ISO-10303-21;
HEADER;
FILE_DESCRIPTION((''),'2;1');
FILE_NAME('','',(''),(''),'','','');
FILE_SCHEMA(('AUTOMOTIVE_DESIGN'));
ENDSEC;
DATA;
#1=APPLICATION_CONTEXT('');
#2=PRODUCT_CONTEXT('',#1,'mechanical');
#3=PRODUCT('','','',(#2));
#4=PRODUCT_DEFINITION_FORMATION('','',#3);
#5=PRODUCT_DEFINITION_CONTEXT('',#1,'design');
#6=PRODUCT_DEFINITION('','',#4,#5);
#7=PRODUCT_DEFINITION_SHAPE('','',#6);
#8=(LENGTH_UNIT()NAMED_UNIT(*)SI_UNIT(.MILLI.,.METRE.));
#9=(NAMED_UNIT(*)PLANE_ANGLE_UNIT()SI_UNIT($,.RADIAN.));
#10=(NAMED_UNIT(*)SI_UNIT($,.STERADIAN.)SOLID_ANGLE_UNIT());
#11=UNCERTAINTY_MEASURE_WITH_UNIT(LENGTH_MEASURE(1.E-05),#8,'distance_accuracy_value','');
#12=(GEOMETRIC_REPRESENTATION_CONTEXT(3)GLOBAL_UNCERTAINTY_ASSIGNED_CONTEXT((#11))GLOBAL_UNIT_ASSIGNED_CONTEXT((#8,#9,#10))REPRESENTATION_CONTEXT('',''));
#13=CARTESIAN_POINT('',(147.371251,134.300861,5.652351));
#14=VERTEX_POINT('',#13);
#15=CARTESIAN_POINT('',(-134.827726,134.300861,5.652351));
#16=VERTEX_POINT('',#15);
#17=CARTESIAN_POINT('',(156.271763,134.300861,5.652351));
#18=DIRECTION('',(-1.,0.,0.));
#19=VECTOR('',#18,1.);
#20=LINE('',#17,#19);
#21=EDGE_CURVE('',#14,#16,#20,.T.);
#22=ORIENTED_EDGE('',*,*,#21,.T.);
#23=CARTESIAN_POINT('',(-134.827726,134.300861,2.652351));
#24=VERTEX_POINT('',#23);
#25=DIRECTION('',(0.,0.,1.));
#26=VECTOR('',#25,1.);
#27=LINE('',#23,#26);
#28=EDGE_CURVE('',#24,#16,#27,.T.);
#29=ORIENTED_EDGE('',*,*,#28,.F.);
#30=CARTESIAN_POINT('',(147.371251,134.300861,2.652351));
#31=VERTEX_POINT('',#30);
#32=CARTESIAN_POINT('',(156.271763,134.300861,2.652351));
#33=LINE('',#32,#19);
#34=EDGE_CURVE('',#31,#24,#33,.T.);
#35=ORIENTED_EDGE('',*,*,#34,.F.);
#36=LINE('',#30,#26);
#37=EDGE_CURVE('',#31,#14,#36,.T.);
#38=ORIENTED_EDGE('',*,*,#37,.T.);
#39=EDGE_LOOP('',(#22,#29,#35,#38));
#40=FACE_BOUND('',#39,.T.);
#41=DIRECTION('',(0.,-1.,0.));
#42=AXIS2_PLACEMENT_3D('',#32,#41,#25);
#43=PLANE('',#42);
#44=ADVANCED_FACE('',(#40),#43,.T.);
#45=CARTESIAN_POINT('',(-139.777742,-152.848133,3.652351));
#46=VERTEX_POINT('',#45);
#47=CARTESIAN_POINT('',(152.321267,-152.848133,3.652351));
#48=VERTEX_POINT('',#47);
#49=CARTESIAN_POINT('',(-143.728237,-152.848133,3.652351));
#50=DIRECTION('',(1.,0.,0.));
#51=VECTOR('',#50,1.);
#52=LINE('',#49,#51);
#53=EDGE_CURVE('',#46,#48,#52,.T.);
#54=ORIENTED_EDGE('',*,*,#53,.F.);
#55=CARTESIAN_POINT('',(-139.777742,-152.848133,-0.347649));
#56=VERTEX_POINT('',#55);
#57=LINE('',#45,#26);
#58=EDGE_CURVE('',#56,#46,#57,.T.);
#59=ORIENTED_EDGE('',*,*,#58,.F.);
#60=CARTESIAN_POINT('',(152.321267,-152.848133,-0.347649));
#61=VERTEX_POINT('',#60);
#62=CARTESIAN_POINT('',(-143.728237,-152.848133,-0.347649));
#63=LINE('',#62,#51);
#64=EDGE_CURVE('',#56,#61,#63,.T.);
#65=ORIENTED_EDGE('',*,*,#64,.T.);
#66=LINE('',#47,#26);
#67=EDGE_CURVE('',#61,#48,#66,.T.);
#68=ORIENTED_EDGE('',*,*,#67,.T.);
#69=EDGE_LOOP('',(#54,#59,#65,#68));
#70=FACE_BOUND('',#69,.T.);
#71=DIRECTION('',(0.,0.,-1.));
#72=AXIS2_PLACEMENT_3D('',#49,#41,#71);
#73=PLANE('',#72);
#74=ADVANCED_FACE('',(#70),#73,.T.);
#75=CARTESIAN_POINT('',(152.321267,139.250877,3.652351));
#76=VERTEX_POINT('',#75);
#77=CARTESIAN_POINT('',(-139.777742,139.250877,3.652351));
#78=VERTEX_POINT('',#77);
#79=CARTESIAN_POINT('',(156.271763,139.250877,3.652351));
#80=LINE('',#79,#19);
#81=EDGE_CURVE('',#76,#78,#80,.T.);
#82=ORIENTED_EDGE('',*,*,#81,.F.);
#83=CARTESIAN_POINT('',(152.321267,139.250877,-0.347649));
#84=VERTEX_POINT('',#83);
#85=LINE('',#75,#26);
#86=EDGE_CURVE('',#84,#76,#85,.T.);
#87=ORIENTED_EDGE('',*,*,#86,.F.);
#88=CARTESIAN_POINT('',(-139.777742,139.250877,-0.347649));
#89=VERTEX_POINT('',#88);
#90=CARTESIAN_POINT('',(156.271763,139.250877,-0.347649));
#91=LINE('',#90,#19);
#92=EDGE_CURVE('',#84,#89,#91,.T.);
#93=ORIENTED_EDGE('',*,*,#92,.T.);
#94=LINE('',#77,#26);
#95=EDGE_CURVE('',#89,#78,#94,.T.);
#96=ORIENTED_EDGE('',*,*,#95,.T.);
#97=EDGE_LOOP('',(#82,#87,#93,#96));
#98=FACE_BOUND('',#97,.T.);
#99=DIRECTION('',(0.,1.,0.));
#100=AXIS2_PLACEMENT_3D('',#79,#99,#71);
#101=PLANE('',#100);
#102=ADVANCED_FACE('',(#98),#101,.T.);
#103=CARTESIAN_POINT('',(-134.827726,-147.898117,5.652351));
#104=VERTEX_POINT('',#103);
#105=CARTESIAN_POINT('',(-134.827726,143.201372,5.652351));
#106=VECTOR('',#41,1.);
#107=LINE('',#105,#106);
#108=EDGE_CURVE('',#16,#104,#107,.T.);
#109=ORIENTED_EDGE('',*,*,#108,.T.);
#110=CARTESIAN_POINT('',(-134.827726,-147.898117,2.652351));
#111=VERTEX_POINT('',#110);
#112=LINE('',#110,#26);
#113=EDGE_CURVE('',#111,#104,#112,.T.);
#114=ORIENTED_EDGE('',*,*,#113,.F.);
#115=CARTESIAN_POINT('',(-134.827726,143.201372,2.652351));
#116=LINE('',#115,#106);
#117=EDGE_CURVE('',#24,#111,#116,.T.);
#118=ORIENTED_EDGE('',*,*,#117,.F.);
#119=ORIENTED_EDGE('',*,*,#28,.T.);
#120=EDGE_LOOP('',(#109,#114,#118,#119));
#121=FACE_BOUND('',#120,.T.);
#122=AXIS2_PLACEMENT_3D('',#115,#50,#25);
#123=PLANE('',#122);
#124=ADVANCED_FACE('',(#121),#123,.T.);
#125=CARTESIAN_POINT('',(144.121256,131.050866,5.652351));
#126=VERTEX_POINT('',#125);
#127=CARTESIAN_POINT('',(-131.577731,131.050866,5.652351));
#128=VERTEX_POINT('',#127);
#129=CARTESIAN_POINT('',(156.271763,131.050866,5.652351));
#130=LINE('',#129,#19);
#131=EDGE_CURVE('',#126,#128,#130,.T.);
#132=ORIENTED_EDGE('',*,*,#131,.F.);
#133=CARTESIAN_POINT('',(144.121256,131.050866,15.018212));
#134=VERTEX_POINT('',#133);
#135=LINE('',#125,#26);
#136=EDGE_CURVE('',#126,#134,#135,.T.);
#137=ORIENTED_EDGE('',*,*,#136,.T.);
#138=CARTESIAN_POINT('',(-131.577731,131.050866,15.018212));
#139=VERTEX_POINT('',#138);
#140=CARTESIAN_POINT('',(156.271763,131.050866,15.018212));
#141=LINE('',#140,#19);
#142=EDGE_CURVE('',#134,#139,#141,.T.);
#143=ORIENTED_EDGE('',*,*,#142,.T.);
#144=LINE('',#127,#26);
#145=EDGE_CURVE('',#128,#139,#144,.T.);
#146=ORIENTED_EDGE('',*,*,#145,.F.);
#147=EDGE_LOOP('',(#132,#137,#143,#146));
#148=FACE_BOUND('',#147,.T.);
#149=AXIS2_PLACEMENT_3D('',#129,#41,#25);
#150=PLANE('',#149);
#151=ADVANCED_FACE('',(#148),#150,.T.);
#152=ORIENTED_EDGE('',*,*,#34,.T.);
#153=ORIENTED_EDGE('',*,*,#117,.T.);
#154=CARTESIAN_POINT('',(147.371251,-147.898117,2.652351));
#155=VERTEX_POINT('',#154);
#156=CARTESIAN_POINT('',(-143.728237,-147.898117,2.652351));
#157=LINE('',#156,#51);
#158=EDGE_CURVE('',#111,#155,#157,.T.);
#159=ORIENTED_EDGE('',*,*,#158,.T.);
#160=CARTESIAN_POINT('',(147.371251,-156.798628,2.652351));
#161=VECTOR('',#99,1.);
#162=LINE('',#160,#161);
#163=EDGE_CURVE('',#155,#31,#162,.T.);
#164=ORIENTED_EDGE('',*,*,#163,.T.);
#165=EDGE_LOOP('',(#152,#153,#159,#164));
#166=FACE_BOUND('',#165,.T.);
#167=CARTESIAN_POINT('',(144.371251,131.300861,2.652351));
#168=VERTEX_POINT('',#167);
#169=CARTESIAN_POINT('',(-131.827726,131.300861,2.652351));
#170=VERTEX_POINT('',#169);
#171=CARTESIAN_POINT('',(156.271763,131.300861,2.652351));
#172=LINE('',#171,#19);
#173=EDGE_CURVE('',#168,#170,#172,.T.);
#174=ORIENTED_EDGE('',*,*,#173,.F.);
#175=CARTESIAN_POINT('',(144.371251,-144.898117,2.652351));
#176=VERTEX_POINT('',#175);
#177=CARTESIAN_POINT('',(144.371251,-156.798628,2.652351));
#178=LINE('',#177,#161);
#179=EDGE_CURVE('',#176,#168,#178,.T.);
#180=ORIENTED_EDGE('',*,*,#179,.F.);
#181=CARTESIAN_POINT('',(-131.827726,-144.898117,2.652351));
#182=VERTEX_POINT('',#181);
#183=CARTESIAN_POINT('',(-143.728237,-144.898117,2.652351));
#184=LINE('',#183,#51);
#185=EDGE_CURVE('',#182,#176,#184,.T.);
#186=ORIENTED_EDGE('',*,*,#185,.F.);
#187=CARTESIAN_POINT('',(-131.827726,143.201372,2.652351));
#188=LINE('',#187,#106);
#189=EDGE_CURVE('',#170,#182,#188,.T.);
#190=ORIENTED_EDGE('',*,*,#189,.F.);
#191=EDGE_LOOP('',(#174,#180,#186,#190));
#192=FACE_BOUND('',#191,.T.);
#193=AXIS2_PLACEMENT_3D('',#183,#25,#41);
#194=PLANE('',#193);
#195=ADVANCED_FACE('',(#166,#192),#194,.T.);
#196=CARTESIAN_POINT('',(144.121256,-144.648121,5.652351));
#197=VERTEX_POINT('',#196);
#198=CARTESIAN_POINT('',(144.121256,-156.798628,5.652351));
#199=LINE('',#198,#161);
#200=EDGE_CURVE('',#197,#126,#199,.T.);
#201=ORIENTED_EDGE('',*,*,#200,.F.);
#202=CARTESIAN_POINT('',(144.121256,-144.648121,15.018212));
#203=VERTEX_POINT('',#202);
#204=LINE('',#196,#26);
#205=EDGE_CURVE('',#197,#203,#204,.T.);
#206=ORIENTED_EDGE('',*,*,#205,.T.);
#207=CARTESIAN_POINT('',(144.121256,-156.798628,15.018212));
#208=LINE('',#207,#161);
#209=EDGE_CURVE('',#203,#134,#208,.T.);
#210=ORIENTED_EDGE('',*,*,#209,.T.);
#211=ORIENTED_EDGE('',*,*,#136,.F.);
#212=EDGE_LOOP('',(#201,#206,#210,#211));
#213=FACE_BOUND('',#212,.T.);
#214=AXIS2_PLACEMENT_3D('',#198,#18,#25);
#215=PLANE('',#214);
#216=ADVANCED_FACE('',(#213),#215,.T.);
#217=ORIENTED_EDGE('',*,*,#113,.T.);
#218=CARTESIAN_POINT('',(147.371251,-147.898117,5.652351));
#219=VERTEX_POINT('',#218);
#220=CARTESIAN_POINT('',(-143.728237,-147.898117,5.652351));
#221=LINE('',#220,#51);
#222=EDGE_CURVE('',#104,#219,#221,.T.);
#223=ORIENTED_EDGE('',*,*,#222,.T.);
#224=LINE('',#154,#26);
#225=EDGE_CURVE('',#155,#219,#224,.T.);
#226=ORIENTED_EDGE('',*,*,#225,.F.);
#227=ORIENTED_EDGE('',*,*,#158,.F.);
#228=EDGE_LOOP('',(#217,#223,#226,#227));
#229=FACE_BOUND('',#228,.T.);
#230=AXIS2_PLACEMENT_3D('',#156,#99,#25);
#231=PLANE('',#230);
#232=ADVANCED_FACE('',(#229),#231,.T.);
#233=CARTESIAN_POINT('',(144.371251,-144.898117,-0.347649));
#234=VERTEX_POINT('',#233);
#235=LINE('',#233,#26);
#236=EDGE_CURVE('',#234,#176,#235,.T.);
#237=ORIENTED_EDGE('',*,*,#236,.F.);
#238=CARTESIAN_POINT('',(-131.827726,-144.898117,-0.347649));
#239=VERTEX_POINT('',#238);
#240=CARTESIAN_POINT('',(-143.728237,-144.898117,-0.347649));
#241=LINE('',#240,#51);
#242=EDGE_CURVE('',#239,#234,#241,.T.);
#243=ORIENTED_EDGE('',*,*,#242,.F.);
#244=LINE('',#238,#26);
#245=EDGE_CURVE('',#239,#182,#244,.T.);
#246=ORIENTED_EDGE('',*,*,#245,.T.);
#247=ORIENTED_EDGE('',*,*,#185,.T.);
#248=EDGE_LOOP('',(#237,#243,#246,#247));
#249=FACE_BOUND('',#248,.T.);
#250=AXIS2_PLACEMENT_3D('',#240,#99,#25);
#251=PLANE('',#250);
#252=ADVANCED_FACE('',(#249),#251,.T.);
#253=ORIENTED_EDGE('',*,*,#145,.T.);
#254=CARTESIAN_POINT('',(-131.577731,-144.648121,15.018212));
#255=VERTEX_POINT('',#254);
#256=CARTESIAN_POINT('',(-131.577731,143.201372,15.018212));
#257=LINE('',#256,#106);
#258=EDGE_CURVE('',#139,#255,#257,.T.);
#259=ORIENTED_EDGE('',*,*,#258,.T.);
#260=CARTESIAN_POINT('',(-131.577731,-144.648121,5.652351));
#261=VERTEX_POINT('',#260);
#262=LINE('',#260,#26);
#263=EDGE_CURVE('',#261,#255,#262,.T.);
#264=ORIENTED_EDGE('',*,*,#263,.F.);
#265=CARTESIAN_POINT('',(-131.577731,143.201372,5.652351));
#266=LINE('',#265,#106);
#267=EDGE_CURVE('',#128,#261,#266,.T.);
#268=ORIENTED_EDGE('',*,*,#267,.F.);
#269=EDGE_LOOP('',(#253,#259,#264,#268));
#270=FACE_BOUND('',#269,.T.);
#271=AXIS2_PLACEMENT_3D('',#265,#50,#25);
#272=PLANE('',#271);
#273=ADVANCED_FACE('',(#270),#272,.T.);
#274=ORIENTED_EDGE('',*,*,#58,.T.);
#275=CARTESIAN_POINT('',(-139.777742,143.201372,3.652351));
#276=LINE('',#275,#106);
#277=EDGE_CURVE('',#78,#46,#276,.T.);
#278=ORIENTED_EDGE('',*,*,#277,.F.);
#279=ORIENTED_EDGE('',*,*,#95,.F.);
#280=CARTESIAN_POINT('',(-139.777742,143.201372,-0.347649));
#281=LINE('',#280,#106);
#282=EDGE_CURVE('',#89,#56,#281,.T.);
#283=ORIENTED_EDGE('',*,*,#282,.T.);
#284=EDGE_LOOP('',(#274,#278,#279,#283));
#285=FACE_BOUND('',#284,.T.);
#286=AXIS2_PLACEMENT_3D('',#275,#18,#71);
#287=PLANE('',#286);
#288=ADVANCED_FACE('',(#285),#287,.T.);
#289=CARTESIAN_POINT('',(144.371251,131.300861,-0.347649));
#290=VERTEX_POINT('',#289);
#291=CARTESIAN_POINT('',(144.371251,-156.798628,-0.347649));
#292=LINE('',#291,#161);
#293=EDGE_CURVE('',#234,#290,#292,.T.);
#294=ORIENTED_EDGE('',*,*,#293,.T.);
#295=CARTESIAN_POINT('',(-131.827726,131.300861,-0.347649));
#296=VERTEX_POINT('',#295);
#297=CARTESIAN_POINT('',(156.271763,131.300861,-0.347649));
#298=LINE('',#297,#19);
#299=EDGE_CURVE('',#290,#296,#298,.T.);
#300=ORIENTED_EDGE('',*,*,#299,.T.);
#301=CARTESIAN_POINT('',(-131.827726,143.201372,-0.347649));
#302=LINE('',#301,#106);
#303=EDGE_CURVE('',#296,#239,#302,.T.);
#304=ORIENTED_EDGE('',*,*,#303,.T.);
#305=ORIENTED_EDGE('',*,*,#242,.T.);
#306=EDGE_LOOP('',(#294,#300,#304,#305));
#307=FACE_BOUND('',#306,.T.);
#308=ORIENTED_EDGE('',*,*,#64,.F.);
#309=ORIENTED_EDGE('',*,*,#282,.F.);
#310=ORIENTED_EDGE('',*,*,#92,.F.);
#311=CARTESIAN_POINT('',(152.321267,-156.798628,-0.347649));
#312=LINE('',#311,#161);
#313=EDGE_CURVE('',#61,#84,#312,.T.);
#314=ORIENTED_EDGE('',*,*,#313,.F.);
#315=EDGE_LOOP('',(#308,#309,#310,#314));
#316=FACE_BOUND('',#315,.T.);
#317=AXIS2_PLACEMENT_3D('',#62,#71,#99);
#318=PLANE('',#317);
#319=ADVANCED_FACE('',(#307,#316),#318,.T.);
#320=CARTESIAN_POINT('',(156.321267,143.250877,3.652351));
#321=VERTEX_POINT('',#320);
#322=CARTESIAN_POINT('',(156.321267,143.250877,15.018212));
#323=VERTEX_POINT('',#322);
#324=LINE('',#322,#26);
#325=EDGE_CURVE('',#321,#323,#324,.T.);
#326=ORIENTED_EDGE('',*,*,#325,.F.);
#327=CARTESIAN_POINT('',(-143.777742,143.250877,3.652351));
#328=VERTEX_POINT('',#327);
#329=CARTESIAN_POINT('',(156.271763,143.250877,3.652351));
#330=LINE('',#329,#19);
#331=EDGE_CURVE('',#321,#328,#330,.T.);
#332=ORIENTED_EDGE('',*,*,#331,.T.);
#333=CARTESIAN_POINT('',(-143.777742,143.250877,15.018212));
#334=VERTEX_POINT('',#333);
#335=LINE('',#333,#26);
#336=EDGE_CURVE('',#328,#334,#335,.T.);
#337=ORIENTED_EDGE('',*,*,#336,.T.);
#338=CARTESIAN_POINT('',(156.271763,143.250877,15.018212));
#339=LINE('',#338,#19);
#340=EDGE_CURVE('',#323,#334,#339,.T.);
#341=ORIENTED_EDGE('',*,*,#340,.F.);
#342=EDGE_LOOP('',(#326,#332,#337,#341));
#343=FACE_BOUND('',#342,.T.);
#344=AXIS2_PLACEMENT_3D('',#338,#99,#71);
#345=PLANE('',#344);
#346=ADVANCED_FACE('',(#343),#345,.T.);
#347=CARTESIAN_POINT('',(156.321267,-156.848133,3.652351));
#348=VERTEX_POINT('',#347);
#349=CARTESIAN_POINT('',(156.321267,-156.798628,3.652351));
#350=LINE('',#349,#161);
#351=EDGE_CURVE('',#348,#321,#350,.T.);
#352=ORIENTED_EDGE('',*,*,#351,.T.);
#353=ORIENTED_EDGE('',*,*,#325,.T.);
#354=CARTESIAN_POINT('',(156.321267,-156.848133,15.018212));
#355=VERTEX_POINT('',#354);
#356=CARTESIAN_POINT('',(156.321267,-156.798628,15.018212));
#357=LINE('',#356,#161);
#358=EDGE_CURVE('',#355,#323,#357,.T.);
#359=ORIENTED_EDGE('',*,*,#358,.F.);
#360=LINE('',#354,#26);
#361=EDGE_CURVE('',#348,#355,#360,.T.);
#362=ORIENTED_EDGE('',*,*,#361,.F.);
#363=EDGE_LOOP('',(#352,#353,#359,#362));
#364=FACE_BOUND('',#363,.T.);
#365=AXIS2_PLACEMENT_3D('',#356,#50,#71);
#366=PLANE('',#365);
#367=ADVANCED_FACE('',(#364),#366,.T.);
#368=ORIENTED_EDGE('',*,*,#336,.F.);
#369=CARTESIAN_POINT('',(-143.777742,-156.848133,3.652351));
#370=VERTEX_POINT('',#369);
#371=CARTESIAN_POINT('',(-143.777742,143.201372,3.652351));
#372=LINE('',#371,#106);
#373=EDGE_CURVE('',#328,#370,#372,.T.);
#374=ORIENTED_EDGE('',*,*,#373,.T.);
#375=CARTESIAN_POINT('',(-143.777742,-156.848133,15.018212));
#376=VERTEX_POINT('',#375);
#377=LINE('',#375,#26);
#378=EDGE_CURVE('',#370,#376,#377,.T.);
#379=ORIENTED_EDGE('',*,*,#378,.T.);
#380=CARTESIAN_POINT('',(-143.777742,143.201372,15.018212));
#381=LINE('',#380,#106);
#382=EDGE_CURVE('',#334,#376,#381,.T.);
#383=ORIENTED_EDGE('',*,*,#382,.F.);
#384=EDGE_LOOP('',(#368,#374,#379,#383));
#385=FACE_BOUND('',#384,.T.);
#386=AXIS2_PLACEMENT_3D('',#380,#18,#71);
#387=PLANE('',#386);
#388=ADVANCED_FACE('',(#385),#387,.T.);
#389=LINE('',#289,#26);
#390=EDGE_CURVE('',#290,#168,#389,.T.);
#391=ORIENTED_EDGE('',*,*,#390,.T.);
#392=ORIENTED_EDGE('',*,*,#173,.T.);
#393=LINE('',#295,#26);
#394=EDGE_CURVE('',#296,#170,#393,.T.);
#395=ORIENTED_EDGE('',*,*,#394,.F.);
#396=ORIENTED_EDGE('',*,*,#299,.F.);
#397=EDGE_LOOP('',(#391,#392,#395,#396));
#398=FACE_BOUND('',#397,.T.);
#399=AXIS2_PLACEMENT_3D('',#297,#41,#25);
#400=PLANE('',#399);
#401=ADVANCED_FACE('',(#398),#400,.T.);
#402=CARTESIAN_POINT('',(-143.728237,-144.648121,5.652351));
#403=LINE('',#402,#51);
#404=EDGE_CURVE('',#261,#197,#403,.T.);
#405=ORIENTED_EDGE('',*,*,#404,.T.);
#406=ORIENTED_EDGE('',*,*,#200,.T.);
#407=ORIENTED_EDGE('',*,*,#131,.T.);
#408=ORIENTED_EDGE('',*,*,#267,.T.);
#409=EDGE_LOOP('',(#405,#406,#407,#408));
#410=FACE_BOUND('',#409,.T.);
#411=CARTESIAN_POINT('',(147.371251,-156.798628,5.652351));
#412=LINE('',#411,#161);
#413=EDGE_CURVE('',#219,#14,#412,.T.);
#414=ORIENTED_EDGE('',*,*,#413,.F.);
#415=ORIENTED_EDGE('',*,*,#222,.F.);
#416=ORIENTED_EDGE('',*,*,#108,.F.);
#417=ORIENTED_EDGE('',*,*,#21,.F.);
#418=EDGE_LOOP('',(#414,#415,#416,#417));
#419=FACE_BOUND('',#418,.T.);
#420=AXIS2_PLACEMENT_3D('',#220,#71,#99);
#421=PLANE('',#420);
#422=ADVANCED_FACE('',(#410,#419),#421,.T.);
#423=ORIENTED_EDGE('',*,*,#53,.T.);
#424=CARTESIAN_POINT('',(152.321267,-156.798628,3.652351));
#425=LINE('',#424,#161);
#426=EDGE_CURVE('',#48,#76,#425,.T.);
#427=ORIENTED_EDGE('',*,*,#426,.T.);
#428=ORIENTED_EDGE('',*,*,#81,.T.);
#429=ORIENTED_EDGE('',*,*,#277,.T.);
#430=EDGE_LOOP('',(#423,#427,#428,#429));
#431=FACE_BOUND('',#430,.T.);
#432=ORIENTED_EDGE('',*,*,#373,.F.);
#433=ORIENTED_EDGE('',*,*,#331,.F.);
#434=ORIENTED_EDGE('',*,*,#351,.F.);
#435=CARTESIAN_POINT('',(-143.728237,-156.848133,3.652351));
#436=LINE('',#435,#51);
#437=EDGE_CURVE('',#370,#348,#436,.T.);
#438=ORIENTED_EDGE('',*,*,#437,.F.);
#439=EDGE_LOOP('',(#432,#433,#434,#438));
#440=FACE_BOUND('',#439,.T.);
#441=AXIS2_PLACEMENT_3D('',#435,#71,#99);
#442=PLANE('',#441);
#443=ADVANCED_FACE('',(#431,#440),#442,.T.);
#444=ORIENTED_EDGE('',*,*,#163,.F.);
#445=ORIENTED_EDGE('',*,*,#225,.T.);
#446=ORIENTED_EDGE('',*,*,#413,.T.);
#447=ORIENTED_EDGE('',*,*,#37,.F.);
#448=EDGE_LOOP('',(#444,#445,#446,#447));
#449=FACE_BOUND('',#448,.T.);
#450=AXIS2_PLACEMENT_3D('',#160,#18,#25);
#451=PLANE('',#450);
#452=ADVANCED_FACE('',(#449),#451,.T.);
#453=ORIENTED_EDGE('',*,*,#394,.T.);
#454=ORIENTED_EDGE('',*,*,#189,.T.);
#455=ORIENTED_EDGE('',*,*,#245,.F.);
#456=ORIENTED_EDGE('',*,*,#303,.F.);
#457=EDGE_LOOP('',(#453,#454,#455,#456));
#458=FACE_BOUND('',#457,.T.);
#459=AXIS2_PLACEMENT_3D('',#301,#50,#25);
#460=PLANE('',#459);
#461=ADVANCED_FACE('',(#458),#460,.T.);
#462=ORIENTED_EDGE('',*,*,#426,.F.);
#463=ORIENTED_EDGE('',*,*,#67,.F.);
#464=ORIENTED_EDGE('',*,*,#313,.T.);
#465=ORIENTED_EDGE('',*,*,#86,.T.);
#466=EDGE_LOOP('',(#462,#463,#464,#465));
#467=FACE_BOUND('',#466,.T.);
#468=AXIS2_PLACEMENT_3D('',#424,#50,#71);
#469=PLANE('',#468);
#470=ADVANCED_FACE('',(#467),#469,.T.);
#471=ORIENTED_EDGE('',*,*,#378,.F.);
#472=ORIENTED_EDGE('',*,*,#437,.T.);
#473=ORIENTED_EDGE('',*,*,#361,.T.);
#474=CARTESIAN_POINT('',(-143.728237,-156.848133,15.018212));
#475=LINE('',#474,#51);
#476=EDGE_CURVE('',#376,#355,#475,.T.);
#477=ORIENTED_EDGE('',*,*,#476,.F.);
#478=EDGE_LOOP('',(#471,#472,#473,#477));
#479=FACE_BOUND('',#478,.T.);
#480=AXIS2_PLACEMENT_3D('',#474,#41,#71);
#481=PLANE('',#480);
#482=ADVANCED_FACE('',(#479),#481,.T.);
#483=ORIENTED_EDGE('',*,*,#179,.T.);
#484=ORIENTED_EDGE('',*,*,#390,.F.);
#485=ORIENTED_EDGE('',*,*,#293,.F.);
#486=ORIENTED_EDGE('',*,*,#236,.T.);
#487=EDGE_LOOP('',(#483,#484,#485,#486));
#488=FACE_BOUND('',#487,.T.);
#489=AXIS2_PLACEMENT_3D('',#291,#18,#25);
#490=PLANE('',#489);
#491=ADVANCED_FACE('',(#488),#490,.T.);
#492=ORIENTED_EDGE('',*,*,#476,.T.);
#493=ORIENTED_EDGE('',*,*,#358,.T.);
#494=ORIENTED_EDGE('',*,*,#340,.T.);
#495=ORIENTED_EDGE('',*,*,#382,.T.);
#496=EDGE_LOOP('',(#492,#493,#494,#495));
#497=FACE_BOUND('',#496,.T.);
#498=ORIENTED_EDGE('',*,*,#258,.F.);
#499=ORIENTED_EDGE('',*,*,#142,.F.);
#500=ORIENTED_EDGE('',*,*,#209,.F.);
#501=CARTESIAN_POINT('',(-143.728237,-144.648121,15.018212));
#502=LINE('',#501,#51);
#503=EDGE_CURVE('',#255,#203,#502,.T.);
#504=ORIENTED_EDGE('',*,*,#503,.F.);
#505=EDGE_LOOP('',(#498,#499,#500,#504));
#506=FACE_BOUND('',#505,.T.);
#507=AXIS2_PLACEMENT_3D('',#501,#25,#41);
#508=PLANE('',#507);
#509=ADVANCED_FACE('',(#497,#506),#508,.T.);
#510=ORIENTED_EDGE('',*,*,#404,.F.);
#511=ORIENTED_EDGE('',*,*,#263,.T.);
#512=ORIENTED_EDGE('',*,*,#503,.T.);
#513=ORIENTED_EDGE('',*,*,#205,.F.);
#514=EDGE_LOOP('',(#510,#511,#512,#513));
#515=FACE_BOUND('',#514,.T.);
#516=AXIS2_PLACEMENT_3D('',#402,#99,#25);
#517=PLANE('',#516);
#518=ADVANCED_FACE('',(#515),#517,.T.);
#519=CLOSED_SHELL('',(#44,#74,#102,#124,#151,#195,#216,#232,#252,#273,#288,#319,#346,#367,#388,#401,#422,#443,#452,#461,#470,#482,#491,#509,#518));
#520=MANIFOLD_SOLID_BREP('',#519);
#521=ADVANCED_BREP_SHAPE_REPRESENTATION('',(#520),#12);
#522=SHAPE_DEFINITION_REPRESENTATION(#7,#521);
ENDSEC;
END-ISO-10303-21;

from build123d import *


with BuildPart() as f2:
    # F2: sweep along a path in F0
    with BuildLine(Plane.XY) as f2_path:
        Line((-143.7282372266, -156.79862791), (156.2717627734, -156.79862791))
        Line((156.2717627734, -156.79862791), (156.2717627734, 143.20137209))
        Line((156.2717627734, 143.20137209), (-143.7282372266, 143.20137209))
        Line((-143.7282372266, 143.20137209), (-143.7282372266, -156.79862791))
    # F1 (on Right) → F2 (sweep)
    with BuildSketch(Plane.YZ):
        Polygon((-152.8481326103, -0.3476490092), (-144.8981165886, -0.3476490092), (-144.8981165886, 2.6523509908), (-147.8981165886, 2.6523509908), (-147.8981165886, 5.6523509908), (-144.6481214636, 5.6523509908), (-144.6481214636, 15.0182117835), (-156.8481326103, 15.0182117835), (-156.8481326103, 3.6523509908), (-152.8481326103, 3.6523509908), align=None)
    sweep(path=f2_path.line, transition=Transition.RIGHT)


solid = f2.part
